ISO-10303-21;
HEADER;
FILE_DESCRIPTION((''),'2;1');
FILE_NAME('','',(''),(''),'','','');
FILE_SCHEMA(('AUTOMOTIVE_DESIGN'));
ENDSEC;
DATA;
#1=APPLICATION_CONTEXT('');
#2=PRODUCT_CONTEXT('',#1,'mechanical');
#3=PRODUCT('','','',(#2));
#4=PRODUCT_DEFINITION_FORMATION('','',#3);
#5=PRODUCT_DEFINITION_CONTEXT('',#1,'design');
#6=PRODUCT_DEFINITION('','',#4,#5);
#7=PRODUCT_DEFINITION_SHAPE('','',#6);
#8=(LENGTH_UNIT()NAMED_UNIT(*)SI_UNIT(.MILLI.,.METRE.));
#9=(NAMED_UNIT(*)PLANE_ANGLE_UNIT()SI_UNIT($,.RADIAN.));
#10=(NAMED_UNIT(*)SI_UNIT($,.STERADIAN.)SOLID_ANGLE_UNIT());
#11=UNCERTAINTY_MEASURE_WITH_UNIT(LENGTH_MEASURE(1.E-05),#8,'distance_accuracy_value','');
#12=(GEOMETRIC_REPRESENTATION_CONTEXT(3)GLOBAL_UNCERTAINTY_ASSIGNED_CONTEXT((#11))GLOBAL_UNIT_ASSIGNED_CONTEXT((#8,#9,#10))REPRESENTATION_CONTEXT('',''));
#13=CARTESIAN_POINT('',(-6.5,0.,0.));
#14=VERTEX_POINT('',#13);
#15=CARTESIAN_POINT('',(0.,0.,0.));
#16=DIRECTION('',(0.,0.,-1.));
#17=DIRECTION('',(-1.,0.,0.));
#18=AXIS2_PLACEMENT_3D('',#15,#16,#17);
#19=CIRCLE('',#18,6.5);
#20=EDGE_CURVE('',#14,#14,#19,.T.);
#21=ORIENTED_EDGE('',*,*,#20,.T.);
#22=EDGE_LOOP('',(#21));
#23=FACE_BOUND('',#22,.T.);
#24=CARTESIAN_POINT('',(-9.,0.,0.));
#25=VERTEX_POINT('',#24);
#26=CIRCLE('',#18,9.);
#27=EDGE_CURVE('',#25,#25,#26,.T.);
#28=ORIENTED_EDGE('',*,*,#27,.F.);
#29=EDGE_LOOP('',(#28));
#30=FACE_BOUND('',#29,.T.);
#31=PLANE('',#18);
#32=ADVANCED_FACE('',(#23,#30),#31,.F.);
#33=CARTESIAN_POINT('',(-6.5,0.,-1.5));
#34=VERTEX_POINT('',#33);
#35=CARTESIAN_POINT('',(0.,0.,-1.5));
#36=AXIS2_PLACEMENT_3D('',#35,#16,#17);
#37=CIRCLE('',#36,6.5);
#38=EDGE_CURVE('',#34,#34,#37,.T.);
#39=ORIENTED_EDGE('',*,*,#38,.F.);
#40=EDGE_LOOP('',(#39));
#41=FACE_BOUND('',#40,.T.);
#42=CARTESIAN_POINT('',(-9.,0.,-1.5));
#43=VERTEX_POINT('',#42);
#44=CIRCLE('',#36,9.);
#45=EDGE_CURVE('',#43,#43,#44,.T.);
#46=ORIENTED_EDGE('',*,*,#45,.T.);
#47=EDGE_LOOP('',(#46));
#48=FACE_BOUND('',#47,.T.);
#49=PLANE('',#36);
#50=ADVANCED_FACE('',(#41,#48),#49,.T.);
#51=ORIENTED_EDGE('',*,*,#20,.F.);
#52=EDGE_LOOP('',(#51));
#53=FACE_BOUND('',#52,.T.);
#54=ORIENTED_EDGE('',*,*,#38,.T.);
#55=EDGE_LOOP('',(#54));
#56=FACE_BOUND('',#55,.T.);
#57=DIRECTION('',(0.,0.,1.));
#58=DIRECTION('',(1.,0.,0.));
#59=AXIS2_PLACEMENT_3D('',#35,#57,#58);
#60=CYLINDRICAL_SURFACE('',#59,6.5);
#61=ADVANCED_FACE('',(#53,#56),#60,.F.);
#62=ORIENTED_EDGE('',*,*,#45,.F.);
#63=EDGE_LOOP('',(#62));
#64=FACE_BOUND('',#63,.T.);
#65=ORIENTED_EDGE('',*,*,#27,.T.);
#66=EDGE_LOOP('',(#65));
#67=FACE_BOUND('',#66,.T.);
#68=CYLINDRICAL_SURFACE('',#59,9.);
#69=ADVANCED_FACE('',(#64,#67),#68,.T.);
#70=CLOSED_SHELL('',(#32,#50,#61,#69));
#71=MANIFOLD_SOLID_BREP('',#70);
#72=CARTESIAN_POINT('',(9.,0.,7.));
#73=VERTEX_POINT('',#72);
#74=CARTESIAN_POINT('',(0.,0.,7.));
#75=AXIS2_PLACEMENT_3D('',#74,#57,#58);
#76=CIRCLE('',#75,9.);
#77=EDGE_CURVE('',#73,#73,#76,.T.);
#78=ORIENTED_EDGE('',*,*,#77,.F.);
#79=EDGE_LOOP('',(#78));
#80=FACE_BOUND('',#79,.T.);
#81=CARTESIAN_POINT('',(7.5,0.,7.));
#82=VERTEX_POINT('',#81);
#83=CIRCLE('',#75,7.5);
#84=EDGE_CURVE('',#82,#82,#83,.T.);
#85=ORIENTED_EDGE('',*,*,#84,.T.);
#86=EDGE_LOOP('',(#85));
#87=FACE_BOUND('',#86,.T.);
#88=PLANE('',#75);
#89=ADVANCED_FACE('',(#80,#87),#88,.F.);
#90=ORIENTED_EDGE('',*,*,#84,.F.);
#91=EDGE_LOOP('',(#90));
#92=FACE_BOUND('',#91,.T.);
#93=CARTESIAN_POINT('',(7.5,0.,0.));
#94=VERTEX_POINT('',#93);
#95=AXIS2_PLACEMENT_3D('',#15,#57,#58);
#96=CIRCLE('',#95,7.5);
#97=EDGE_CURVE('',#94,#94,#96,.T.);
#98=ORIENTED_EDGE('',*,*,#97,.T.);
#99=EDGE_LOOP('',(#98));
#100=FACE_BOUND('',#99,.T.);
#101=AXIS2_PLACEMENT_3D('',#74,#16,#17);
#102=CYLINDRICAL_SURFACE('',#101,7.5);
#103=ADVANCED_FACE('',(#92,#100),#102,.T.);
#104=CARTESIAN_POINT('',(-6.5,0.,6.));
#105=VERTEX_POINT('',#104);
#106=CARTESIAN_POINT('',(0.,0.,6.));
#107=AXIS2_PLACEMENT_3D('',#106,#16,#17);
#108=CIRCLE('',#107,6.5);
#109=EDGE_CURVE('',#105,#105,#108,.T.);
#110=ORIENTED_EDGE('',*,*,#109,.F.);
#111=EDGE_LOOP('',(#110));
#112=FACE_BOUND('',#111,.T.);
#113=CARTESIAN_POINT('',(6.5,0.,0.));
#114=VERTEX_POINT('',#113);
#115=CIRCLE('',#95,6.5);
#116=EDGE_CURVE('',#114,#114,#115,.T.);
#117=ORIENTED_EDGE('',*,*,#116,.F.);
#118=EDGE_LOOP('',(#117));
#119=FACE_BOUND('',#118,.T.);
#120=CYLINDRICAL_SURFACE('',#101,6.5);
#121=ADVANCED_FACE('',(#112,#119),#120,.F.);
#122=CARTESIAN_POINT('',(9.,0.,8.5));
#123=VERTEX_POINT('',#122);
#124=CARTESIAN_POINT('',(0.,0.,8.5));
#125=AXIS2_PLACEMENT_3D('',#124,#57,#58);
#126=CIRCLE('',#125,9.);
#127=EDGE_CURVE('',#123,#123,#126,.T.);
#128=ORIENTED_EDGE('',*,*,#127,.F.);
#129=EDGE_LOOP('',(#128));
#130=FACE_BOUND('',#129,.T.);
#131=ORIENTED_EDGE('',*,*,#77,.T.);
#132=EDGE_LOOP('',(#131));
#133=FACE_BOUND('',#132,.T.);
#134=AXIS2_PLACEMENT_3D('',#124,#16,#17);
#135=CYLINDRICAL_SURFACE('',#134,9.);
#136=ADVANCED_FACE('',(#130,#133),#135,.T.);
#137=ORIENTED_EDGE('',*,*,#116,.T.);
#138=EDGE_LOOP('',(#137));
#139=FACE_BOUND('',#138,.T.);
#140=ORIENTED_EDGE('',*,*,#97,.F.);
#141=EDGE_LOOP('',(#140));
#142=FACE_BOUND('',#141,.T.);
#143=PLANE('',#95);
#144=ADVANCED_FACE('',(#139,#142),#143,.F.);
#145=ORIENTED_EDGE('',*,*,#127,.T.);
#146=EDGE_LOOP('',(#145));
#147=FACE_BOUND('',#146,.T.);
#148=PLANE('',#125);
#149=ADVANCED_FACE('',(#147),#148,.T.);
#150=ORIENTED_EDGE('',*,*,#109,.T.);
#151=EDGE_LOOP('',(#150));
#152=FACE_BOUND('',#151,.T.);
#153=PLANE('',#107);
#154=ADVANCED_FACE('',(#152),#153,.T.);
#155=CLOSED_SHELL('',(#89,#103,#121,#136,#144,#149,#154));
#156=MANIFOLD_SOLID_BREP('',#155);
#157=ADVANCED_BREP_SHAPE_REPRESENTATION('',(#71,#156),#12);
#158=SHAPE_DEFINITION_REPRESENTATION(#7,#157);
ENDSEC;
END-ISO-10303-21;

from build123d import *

# Parameters (mm, degrees)
SKETCH1_R           = 7.5
SKETCH1_R_2         = 6.5
BOSS_EXTRUDE2_DEPTH = 7
SKETCH3_R           = 9
BOSS_EXTRUDE3_DEPTH = 1.5
SKETCH4_R           = 9
SKETCH4_R_2         = 6.5
BOSS_EXTRUDE4_DEPTH = 1.5
BOSS_EXTRUDE5_START = 1
SKETCH5_R           = 6.5
BOSS_EXTRUDE5_DEPTH = 1


with BuildPart() as part:
    # Sketch1 → Boss-Extrude2 (new body)
    with BuildSketch(Plane.XY):
        Circle(SKETCH1_R)
        Circle(SKETCH1_R_2, mode=Mode.SUBTRACT)
    extrude(amount=BOSS_EXTRUDE2_DEPTH)

    # Sketch3 → Boss-Extrude3 (add)
    with BuildSketch(Plane.XY.offset(7)):
        Circle(SKETCH3_R)
    extrude(amount=BOSS_EXTRUDE3_DEPTH)

    # Sketch5 → Boss-Extrude5 (add)
    with BuildSketch(Plane(origin=(0, 0, 7), x_dir=(-1, 0, 0), z_dir=(0, 0, -1)).offset(BOSS_EXTRUDE5_START)):
        Circle(SKETCH5_R)
    extrude(amount=-BOSS_EXTRUDE5_DEPTH)


with BuildPart() as body_2:
    # Sketch4 → Boss-Extrude4 (new body)
    with BuildSketch(Plane(origin=(0, 0, 0), x_dir=(-1, 0, 0), z_dir=(0, 0, -1))):
        Circle(SKETCH4_R)
        Circle(SKETCH4_R_2, mode=Mode.SUBTRACT)
    extrude(amount=BOSS_EXTRUDE4_DEPTH)


solid = Compound([part.part, body_2.part])
